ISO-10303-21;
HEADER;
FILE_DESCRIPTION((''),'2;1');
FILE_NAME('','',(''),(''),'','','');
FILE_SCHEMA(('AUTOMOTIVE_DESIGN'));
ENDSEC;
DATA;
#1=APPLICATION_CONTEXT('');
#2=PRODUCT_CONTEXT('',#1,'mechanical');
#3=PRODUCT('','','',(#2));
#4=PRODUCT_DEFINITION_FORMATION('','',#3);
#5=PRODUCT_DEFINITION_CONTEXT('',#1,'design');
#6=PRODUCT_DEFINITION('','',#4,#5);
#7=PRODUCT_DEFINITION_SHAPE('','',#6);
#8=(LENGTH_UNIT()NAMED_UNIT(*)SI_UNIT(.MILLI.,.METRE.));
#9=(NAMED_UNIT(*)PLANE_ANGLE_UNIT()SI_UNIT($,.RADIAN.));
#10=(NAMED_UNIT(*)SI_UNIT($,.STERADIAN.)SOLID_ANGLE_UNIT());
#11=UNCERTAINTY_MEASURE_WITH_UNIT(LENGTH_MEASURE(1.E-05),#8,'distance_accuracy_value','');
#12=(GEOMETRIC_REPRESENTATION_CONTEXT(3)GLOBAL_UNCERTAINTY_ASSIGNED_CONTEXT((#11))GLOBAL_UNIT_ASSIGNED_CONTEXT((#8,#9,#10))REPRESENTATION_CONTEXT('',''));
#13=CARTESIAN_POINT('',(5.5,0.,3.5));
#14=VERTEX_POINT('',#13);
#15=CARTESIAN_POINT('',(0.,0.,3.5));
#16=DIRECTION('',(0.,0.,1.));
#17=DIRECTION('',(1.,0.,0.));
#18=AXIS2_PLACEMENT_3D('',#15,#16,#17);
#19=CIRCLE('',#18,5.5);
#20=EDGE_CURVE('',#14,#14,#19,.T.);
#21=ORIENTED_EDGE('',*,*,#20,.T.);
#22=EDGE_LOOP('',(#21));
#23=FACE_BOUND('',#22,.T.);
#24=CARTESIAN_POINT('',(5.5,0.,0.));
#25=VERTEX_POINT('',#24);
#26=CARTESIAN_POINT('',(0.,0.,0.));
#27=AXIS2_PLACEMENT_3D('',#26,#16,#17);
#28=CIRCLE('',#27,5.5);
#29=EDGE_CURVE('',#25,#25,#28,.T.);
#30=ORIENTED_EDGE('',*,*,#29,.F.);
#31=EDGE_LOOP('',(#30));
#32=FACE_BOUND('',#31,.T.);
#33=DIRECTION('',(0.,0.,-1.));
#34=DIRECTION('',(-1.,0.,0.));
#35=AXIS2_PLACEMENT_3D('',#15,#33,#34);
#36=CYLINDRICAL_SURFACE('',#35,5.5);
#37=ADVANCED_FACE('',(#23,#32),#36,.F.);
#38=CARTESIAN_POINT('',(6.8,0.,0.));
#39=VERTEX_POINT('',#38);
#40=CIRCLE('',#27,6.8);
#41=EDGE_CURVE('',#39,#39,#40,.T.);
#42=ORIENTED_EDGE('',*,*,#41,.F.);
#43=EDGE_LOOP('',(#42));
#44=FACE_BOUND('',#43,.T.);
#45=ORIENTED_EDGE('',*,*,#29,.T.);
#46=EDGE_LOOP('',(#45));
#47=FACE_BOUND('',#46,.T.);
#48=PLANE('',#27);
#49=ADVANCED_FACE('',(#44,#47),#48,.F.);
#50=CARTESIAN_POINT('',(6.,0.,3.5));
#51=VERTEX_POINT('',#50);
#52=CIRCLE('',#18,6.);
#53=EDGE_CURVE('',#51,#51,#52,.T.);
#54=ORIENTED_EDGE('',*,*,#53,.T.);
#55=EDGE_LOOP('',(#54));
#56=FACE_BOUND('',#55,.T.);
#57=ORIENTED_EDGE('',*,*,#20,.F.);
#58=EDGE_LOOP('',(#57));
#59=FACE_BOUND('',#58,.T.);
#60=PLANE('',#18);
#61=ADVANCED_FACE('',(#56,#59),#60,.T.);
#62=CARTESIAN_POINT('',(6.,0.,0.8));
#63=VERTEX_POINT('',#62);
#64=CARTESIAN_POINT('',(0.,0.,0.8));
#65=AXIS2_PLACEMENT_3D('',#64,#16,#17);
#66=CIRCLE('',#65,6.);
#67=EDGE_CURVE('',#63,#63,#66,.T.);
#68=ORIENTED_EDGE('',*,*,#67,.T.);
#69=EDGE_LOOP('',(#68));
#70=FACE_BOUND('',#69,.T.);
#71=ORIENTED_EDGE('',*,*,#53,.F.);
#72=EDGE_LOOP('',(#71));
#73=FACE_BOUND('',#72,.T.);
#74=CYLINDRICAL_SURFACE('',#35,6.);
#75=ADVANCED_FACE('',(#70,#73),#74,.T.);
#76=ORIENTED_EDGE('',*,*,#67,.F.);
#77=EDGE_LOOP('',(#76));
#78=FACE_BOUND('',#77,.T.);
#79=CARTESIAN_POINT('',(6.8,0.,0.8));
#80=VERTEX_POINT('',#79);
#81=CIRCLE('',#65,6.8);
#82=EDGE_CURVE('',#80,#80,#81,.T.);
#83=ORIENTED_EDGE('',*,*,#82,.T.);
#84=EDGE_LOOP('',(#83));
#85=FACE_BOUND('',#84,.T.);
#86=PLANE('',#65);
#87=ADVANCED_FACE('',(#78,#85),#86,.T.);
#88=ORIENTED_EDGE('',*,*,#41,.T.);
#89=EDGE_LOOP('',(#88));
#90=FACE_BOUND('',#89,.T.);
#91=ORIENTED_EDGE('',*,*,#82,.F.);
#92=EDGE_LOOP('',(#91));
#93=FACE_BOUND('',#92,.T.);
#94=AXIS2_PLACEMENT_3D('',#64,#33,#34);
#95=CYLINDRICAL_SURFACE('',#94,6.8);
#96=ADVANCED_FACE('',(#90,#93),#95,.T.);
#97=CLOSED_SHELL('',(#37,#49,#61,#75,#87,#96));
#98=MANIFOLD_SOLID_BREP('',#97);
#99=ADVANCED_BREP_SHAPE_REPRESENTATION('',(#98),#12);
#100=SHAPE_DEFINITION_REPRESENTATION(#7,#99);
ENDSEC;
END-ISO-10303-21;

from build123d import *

# Parameters (mm, degrees)
SKETCH_1_R      = 6
SKETCH_1_R_2    = 5.5
EXTRUDE_1_DEPTH = 3.5
SKETCH_2_R      = 6.8
SKETCH_2_R_2    = 5.5
EXTRUDE_2_DEPTH = 0.8


with BuildPart() as part:
    # 草图1 → 凸台-拉伸1 (new body)
    with BuildSketch(Plane.XY):
        Circle(SKETCH_1_R)
        Circle(SKETCH_1_R_2, mode=Mode.SUBTRACT)
    extrude(amount=EXTRUDE_1_DEPTH)

    # 草图2 → 凸台-拉伸2 (add)
    with BuildSketch(Plane.XY):
        Circle(SKETCH_2_R)
        Circle(SKETCH_2_R_2, mode=Mode.SUBTRACT)
    extrude(amount=EXTRUDE_2_DEPTH)


solid = part.part
